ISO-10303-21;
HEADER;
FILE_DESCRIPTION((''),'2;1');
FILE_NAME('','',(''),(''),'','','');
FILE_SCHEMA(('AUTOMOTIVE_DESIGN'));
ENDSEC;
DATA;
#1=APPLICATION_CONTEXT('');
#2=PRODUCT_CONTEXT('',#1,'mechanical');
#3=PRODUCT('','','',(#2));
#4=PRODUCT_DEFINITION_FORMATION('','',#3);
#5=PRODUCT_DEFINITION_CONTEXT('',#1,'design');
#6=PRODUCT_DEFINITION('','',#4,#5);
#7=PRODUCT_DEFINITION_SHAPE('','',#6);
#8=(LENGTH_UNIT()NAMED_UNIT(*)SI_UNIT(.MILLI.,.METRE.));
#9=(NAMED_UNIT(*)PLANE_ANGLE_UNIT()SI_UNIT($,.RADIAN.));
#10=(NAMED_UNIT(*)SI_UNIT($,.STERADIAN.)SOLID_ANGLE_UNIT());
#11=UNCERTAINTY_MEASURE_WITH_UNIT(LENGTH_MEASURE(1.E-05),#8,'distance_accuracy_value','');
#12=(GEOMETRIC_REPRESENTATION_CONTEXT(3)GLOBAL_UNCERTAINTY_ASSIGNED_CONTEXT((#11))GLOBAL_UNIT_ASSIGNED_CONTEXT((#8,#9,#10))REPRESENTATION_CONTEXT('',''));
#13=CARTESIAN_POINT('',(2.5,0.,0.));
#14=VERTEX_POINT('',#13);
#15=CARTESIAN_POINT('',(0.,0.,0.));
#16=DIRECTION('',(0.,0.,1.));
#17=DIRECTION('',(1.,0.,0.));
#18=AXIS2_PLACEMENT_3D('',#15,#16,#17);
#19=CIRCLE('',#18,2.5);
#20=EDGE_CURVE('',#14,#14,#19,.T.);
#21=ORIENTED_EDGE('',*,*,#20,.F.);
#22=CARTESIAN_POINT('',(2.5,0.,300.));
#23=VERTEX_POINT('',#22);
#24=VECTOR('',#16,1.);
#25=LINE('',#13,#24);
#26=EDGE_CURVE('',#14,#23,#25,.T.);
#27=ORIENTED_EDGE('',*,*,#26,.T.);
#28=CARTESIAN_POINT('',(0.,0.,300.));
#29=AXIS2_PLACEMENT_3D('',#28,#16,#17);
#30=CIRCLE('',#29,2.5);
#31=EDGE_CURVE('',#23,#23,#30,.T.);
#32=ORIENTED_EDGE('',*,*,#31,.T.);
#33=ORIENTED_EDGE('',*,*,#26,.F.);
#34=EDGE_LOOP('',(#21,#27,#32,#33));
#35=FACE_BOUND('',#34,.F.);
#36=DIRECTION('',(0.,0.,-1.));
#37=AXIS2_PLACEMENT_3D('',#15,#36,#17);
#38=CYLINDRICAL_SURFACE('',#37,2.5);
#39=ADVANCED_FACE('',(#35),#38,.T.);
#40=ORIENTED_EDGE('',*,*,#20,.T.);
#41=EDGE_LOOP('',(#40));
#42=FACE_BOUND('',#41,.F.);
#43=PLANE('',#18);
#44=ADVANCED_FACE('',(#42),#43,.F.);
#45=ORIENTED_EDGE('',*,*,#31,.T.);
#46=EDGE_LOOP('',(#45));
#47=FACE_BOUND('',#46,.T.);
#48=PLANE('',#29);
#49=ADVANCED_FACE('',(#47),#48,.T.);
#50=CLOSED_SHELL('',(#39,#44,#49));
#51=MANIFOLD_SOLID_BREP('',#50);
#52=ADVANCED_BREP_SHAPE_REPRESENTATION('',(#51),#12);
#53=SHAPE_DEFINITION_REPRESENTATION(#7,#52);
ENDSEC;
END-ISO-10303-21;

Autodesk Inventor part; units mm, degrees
ref_plane "YZ Plane" through (0, 0, 0) normal (1, 0, 0) x (0, 1, 0)
ref_plane "XZ Plane" through (0, 0, 0) normal (0, 1, 0) x (-1, 0, 0)
ref_plane "XY Plane" through (0, 0, 0) normal (0, 0, 1) x (1, 0, 0)
sketch "Sketch1" plane through (0, 0, 0) normal (0, 0, 1) x (1, 0, 0)
  circle A0 centre (0, 0) radius 2.5
  dimension "d0" = 5
extrude "Extrusion1" add sketch "Sketch1" along normal blind 300
properties part number "5mm guide"
